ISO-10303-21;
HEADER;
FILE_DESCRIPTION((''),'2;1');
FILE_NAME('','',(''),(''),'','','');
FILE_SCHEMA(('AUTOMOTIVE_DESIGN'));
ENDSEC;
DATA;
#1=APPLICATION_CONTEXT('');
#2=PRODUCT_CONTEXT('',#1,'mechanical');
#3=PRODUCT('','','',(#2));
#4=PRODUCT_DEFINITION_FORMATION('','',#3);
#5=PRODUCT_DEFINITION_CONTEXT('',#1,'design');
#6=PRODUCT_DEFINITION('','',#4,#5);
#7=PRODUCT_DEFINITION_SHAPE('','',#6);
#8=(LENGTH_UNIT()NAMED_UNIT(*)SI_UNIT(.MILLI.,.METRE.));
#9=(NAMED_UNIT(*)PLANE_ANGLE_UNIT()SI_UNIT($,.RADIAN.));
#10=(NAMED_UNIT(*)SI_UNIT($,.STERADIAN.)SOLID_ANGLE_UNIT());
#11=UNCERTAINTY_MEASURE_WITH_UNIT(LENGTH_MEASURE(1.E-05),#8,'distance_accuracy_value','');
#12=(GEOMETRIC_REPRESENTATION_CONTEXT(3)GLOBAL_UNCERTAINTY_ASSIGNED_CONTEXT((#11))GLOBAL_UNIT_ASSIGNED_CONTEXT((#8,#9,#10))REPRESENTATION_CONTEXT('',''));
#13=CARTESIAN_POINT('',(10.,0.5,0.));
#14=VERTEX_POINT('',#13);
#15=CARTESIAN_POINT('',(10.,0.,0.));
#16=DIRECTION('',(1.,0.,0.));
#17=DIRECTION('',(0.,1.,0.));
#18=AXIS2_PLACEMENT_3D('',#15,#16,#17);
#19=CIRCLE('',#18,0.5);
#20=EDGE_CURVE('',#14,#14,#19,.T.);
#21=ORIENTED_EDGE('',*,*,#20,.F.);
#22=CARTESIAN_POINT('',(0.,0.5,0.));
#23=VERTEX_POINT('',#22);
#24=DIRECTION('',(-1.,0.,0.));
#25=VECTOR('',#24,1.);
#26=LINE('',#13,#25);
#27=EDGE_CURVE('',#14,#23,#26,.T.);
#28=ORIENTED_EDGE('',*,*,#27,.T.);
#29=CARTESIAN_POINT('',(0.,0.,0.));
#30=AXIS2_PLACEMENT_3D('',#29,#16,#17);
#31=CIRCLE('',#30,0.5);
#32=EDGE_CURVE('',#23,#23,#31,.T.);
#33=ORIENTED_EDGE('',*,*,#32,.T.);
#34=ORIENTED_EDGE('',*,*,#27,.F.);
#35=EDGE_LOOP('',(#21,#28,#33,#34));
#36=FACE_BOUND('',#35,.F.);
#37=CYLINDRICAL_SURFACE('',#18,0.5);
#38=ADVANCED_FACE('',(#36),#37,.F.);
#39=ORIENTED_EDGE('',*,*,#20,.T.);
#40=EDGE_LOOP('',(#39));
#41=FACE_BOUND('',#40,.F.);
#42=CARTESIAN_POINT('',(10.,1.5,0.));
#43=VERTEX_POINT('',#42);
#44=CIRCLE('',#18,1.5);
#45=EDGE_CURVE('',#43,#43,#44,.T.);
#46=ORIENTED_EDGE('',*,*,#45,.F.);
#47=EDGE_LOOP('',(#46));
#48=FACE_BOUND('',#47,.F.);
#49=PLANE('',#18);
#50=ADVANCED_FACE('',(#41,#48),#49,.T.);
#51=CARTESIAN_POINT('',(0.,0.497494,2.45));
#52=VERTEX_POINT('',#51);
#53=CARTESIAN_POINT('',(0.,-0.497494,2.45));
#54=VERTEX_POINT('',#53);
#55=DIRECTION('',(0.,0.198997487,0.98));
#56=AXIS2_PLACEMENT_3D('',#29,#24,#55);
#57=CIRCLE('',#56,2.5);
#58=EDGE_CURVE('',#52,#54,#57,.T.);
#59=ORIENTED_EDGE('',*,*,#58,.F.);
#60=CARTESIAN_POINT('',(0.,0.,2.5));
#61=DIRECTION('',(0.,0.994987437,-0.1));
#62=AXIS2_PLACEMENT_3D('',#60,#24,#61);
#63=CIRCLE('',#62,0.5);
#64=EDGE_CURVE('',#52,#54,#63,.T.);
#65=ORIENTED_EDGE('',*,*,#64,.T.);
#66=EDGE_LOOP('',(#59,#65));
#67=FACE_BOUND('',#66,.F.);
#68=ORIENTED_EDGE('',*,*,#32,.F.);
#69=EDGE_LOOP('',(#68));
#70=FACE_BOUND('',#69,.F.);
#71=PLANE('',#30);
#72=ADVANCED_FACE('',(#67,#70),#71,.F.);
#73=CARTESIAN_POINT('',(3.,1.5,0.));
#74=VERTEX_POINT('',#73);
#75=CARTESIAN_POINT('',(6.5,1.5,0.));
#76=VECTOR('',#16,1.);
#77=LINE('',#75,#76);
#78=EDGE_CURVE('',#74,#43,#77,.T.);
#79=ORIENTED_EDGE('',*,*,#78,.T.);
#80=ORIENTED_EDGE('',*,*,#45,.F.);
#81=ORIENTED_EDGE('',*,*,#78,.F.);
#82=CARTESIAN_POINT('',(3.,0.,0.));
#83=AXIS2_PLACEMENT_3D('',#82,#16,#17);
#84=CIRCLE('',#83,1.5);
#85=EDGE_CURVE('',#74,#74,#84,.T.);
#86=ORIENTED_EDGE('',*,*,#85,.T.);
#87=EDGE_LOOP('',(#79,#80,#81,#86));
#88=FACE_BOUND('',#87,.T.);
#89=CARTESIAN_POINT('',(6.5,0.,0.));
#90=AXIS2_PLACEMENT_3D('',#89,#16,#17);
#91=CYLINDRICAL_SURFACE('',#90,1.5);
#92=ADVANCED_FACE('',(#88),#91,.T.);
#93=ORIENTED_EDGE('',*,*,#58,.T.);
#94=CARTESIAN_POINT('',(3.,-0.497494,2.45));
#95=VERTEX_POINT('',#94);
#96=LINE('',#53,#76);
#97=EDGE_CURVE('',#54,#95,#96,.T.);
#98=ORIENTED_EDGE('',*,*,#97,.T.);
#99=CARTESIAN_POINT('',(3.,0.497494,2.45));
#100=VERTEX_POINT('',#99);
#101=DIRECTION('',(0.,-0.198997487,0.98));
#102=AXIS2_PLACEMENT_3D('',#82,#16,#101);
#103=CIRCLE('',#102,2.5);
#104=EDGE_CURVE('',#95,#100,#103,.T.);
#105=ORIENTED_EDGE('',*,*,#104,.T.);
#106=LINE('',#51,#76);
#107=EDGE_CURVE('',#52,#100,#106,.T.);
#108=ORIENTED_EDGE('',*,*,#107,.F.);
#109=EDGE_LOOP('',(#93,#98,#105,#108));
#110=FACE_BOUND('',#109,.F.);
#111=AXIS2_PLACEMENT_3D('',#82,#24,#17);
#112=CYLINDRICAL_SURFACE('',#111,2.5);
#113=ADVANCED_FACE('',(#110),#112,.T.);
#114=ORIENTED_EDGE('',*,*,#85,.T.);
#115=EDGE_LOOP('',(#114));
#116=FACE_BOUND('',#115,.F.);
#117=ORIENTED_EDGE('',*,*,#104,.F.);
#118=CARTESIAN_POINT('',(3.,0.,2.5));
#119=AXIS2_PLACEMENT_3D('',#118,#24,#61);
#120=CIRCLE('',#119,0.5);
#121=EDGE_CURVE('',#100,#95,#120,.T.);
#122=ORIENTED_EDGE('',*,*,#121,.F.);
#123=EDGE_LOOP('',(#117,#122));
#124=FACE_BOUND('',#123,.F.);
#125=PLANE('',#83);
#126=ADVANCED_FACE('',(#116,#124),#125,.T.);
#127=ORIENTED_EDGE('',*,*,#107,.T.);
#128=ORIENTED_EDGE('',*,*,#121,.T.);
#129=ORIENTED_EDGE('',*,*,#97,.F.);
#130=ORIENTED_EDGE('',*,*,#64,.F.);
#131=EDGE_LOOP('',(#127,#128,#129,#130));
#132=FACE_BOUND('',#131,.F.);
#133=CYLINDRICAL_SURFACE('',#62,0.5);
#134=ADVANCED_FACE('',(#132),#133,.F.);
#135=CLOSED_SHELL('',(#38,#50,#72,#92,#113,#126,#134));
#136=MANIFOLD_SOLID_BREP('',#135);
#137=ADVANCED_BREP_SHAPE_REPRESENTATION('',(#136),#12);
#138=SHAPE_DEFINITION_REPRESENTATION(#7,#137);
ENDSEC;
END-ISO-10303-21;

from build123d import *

# Parameters (mm, degrees)
F0_W     = 7
F0_H     = 1.5
F2_R     = 0.5
F3_DEPTH = 10
F5_DEPTH = 3


with BuildPart() as f1:
    # F0 (on Top) → F1 (revolve)
    with BuildSketch(Plane.XY):
        Polygon((0, 1.5), (0, 0), (3, 0), (3, 1.5), (3, 2.5), (0, 2.5), align=None)
        with Locations((6.5, 0.75)):
            Rectangle(F0_W, F0_H)
    revolve(axis=Axis((5, 0, 0), (1, 0, 0)))

    # F2 (on face) → F3 (cut)
    with BuildSketch(Plane.YZ.offset(10)):
        Circle(F2_R)
    extrude(amount=-F3_DEPTH, mode=Mode.SUBTRACT)

    # F4 (on face) → F5 (cut)
    with BuildSketch(Plane(origin=(0, 0, 0), x_dir=(0, -1, 0), z_dir=(-1, 0, 0))):
        with BuildLine():
            ThreePointArc((0.4974937186, 2.45), (0, 2.5), (-0.4974937186, 2.45))
            ThreePointArc((-0.4974937186, 2.45), (0, 2), (0.4974937186, 2.45))
        make_face()
    extrude(amount=-F5_DEPTH, mode=Mode.SUBTRACT)


solid = f1.part
